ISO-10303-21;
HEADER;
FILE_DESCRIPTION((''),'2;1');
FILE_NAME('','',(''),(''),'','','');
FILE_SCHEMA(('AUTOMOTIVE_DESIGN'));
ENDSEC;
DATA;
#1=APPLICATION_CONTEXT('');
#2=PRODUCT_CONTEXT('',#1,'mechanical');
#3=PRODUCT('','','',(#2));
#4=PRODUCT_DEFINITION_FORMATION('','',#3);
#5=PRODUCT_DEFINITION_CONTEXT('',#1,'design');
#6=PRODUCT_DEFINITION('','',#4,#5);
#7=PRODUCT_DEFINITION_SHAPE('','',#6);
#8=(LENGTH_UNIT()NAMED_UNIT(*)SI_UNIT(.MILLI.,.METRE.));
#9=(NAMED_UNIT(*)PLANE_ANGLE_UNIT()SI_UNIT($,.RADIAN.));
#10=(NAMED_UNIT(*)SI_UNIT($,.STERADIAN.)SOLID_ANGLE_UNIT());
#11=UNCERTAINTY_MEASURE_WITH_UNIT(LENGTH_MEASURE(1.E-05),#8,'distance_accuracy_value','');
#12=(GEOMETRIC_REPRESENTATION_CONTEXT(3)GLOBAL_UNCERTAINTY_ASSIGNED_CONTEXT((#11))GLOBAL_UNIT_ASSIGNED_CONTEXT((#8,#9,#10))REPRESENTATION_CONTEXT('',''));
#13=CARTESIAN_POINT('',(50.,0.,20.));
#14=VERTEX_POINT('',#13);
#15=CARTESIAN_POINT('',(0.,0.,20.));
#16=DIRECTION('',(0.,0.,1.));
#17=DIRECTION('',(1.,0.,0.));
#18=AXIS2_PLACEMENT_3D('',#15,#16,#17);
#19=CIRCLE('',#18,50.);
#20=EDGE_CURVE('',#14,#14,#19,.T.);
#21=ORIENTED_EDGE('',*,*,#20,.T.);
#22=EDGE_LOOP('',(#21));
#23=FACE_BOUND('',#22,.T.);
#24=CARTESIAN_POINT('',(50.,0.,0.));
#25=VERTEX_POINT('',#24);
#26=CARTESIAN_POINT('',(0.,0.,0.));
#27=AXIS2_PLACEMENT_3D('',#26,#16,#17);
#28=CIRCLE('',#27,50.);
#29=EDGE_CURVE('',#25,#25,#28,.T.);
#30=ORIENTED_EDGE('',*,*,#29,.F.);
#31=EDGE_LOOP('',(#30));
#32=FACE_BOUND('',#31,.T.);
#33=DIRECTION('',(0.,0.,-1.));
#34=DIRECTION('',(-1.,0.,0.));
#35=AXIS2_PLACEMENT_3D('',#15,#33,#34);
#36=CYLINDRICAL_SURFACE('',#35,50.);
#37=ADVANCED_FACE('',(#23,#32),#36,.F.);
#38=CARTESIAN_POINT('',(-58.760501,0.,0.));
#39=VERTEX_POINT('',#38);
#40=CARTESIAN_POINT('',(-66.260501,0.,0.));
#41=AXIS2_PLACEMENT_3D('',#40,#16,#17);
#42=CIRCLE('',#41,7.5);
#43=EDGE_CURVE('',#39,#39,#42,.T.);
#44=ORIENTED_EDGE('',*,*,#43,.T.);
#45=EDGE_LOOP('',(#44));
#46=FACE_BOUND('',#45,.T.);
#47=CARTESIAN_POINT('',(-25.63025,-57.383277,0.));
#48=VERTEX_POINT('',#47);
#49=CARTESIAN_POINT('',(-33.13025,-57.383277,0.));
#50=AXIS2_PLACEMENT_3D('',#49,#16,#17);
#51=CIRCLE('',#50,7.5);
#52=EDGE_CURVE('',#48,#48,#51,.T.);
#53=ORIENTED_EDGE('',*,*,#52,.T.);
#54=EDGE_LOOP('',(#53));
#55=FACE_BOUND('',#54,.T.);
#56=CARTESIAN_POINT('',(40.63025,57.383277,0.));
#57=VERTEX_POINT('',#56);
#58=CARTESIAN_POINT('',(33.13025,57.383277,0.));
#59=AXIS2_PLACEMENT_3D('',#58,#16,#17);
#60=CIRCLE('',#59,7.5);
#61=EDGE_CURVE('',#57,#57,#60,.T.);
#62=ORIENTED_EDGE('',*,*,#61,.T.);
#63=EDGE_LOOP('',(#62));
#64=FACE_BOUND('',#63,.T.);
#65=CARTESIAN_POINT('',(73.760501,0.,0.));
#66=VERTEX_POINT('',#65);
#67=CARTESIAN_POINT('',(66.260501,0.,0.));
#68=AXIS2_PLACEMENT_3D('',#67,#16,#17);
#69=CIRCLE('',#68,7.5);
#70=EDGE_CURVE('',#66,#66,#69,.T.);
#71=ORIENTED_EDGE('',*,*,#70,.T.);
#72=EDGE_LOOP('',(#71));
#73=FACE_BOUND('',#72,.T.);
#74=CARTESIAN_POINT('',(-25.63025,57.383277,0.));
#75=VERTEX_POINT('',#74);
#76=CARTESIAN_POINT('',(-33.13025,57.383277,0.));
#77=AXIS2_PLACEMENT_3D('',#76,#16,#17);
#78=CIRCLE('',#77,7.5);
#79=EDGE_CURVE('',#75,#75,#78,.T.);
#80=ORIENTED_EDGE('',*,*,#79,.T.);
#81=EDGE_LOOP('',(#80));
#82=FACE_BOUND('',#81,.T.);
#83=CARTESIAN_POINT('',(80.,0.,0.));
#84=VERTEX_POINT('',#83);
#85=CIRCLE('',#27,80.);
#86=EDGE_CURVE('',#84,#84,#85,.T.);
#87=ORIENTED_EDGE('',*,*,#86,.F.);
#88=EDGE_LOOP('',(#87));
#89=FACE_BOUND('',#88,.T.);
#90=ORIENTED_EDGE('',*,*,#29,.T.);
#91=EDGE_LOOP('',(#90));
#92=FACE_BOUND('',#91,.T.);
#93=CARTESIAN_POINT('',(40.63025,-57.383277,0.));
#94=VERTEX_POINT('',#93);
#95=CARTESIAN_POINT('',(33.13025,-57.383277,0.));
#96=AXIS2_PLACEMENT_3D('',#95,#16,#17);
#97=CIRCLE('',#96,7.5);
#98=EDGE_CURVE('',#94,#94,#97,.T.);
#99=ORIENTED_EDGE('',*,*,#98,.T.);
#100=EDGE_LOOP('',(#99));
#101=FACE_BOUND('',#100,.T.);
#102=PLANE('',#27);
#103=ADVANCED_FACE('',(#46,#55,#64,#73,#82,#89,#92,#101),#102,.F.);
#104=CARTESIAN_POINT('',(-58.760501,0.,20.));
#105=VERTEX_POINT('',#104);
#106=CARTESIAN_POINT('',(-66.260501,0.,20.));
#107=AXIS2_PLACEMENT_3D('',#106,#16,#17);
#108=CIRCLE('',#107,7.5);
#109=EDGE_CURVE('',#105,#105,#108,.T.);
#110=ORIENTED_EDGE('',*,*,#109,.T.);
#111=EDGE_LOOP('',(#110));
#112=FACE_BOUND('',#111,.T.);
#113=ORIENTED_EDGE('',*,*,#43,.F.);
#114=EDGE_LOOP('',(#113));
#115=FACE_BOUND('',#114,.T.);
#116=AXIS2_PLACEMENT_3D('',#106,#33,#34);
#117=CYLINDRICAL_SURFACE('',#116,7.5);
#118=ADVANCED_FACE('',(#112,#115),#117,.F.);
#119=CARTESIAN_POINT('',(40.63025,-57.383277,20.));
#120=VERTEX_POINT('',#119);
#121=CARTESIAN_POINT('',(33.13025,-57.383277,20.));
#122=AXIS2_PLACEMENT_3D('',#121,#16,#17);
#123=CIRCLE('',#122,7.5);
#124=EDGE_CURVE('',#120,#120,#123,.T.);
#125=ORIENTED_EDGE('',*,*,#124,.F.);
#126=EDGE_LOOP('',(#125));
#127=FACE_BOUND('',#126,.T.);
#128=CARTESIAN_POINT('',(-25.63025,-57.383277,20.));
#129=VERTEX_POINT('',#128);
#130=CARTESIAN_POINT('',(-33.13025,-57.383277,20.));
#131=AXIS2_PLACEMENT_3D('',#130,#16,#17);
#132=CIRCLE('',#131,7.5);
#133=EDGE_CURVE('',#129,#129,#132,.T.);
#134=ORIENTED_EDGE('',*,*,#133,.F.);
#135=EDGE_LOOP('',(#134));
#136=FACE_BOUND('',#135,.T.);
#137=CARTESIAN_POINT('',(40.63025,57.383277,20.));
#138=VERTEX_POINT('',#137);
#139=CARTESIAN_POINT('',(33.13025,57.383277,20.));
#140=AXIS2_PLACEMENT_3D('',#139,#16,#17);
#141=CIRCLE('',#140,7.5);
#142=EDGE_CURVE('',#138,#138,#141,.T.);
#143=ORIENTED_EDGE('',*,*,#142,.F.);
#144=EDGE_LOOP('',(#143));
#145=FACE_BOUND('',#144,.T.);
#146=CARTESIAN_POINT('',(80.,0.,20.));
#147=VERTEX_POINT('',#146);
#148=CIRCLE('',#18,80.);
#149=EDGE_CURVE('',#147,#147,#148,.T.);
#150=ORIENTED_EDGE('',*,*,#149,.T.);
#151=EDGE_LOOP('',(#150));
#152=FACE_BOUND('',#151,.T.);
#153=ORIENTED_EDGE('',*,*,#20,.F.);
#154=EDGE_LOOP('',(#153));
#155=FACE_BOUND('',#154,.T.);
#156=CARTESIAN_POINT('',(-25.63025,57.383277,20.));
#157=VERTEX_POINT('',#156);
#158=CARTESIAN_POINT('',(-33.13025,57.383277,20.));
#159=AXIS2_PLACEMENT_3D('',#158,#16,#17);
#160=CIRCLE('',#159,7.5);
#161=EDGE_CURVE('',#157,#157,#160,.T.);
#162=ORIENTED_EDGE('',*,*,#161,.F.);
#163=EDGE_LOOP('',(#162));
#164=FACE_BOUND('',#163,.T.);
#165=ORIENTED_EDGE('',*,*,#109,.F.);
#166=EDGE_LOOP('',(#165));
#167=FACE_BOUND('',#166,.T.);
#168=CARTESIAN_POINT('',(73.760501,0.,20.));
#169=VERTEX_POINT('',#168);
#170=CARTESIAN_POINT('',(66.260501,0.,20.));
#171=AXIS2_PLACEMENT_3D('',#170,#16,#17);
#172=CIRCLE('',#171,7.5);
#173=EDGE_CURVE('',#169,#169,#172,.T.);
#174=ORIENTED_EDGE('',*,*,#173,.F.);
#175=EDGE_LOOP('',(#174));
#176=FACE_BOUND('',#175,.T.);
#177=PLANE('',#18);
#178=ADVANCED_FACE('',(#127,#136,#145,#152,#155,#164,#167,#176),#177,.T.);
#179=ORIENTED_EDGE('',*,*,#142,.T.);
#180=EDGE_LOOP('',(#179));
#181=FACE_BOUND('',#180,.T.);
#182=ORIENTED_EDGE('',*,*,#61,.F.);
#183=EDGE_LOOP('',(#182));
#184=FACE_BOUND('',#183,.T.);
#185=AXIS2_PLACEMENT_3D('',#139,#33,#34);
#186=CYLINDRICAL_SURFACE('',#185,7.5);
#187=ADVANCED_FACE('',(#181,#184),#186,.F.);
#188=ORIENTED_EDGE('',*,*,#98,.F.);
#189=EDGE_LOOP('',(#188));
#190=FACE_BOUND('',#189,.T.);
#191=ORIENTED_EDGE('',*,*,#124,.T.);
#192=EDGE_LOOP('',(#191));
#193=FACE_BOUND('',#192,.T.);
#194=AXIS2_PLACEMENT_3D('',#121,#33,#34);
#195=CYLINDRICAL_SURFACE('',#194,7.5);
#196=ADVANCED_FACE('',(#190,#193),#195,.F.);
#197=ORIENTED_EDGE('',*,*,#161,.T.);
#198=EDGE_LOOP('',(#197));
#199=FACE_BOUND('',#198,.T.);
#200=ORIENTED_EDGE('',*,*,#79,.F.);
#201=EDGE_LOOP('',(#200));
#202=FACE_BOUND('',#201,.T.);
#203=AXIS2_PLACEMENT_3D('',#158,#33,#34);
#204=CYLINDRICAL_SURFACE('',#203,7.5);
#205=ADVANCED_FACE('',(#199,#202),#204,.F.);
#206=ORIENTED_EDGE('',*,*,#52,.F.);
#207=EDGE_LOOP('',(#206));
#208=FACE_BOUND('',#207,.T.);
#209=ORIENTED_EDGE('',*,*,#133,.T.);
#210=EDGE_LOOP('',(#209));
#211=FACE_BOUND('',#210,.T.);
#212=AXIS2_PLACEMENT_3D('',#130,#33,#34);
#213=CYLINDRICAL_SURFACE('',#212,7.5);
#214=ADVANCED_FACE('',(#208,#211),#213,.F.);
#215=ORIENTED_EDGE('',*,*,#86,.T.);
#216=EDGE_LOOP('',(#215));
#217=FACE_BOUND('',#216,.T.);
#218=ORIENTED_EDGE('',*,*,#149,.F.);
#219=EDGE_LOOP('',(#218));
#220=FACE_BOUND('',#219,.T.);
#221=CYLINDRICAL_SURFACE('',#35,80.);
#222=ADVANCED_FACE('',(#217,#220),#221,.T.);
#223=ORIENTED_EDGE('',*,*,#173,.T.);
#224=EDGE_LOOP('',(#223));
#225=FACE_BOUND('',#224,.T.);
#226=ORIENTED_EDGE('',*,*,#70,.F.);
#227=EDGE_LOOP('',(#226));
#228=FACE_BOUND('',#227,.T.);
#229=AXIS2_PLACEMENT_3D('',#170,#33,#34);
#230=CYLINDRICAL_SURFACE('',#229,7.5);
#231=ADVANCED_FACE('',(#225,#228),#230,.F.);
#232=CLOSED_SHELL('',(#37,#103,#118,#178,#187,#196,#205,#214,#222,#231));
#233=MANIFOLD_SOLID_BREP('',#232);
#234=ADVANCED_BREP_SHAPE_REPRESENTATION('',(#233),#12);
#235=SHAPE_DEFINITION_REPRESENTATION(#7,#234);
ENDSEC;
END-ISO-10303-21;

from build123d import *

# Parameters (mm, degrees)
SKETCH2_R           = 80
SKETCH2_R_2         = 50
SKETCH2_R_3         = 7.5
BOSS_EXTRUDE3_DEPTH = 20


with BuildPart() as part:
    # Sketch2 → Boss-Extrude3 (new body)
    with BuildSketch(Plane.XY):
        Circle(SKETCH2_R)
        Circle(SKETCH2_R_2, mode=Mode.SUBTRACT)
        with Locations((-66.260500731, 0)):
            Circle(SKETCH2_R_3, mode=Mode.SUBTRACT)
        with Locations((-33.130250365, 57.3832769)):
            Circle(SKETCH2_R_3, mode=Mode.SUBTRACT)
        with Locations((33.130250365, 57.3832769)):
            Circle(SKETCH2_R_3, mode=Mode.SUBTRACT)
        with Locations((66.260500731, 0)):
            Circle(SKETCH2_R_3, mode=Mode.SUBTRACT)
        with Locations((33.130250365, -57.3832769)):
            Circle(SKETCH2_R_3, mode=Mode.SUBTRACT)
        with Locations((-33.130250365, -57.3832769)):
            Circle(SKETCH2_R_3, mode=Mode.SUBTRACT)
    extrude(amount=BOSS_EXTRUDE3_DEPTH)


solid = part.part
